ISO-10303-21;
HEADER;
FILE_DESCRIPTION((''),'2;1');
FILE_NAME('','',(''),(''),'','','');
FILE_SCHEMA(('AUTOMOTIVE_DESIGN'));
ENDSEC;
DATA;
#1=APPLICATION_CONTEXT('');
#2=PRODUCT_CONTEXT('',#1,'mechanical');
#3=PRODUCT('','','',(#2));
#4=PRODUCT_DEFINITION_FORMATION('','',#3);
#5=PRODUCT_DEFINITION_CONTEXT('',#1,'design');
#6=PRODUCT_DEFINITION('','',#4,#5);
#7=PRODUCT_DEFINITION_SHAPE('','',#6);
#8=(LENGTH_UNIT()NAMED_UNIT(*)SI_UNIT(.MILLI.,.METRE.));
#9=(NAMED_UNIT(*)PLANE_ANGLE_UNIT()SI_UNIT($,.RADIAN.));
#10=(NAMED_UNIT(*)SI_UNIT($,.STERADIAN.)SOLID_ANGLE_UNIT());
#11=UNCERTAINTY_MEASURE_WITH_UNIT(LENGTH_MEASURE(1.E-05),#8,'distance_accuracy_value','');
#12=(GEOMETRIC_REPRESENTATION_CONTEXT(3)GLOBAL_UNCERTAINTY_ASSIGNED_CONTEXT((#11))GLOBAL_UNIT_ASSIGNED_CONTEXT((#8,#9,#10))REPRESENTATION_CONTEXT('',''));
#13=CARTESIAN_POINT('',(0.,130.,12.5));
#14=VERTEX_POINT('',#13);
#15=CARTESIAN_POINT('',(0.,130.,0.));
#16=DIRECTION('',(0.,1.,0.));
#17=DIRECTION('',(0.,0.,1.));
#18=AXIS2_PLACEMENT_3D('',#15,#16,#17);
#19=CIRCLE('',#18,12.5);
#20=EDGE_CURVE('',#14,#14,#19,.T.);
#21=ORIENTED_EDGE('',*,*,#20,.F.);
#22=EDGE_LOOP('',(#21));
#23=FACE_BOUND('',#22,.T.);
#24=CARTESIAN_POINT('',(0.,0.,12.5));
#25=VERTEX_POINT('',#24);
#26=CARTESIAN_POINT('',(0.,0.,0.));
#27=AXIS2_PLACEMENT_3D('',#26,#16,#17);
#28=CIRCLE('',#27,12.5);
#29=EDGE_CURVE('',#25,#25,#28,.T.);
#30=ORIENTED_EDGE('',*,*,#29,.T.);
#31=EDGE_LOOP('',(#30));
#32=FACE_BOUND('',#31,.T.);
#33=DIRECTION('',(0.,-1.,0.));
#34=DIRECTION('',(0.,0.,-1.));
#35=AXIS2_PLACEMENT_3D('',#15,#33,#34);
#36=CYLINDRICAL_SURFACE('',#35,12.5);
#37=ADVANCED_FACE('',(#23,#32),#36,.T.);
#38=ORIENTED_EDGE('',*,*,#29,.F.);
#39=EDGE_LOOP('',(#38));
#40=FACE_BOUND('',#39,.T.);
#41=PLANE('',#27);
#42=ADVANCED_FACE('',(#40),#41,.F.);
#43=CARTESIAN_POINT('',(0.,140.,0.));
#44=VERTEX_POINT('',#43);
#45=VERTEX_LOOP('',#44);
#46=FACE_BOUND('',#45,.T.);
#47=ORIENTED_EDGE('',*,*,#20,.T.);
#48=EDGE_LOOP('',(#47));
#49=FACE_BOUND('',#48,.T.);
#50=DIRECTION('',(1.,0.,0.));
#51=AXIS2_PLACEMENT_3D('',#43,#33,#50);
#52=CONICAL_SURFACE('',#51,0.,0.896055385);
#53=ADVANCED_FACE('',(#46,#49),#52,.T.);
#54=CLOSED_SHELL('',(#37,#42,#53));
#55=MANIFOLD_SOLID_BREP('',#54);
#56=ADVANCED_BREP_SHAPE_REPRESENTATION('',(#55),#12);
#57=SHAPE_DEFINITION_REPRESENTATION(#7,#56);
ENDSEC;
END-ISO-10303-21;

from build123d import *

# Parameters (mm, degrees)
ESQUISSE1_R        = 12.5
BOSS_EXTRU_1_DEPTH = 130


with BuildPart() as part:
    # Esquisse1 → Boss.-Extru.1 (new body)
    with BuildSketch(Plane(origin=(0, 0, 0), x_dir=(1, 0, 0), z_dir=(0, 1, 0))):
        Circle(ESQUISSE1_R)
    extrude(amount=BOSS_EXTRU_1_DEPTH)

    # Esquisse2 → Révolution1 (revolve)
    with BuildSketch(Plane.XY):
        Polygon((-12.5, 130), (0, 140), (0, 130), align=None)
    revolve(axis=Axis((0, 140, 0), (0, -1, 0)))


solid = part.part
